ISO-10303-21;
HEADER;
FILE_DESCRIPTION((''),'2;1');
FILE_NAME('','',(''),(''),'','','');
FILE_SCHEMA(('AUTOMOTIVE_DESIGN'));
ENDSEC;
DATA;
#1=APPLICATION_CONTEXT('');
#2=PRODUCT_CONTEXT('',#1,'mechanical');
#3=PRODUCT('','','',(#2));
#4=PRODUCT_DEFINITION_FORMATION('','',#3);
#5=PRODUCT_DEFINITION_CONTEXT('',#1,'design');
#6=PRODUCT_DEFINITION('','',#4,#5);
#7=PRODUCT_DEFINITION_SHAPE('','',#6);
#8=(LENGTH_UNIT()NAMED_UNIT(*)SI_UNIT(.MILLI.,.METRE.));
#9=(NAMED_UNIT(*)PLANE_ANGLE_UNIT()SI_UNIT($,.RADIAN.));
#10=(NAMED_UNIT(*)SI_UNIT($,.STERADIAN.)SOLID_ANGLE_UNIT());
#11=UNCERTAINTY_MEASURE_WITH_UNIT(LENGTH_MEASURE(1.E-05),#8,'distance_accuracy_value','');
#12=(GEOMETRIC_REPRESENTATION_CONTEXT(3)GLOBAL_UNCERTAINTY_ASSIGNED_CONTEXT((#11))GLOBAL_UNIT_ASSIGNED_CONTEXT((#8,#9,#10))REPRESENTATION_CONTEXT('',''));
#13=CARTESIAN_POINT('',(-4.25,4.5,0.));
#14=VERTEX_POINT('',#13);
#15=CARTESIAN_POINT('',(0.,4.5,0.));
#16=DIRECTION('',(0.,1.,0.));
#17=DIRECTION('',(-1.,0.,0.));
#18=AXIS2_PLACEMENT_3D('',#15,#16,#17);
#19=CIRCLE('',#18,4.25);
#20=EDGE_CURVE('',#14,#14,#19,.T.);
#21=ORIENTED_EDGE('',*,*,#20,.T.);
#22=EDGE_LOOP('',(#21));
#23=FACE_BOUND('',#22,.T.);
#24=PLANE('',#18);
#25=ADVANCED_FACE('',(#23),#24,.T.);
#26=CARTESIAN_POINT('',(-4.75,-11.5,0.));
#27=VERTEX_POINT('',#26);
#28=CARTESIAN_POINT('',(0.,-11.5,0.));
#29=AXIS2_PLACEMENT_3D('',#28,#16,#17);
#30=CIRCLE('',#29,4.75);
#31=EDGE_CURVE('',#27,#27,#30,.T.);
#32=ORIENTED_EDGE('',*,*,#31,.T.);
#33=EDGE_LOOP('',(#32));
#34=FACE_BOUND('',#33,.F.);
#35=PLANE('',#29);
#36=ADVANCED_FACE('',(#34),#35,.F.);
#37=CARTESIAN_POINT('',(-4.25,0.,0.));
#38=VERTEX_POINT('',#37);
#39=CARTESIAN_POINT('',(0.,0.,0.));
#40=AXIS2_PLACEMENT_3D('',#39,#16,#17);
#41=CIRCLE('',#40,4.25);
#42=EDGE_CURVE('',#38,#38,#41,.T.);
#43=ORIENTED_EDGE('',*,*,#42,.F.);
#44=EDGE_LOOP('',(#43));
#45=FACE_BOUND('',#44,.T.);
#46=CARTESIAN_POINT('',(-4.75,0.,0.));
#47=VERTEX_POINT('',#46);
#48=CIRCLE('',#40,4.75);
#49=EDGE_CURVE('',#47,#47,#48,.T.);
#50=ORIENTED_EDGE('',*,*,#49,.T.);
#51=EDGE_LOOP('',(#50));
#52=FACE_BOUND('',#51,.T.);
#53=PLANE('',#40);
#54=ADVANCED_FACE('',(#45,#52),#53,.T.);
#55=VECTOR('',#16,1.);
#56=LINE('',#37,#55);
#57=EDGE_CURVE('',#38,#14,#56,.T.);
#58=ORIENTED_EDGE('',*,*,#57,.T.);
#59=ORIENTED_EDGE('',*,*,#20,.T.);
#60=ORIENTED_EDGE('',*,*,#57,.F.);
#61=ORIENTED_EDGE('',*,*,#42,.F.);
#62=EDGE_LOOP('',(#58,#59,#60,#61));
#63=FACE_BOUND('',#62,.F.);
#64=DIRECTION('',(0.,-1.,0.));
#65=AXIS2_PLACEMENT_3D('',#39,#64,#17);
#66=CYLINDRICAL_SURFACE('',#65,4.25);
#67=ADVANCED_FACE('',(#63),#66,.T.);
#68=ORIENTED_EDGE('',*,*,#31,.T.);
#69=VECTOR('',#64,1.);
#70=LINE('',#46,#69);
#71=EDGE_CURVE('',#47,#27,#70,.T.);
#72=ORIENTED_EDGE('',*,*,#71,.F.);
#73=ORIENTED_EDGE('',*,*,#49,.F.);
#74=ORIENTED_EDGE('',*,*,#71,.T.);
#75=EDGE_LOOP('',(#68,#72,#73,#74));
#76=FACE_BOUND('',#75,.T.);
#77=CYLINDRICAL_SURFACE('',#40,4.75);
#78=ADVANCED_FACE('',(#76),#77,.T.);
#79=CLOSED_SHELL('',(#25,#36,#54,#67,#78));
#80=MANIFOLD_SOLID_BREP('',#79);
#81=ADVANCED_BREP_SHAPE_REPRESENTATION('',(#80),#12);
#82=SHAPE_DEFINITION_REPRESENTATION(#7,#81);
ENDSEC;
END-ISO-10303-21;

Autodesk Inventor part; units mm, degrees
ref_plane "YZ Plane" through (0, 0, 0) normal (1, 0, 0) x (0, 1, 0)
ref_plane "XZ Plane" through (0, 0, 0) normal (0, 1, 0) x (-1, 0, 0)
ref_plane "XY Plane" through (0, 0, 0) normal (0, 0, 1) x (1, 0, 0)
sketch "Sketch1" plane through (0, 0, 0) normal (0, 1, 0) x (-1, 0, 0)
  circle A0 centre (0, 0) radius 4.25
  circle A1 centre (0, 0) radius 4.75
  dimension "d0" = 8.5
  dimension "d1" = 9.5
extrude "Extrusion1" add sketch "Sketch1" along normal blind 4.5 contours A0
extrude "Extrusion2" add sketch "Sketch1" against normal blind 11.5 contours A0 | A1
properties part number "button"
